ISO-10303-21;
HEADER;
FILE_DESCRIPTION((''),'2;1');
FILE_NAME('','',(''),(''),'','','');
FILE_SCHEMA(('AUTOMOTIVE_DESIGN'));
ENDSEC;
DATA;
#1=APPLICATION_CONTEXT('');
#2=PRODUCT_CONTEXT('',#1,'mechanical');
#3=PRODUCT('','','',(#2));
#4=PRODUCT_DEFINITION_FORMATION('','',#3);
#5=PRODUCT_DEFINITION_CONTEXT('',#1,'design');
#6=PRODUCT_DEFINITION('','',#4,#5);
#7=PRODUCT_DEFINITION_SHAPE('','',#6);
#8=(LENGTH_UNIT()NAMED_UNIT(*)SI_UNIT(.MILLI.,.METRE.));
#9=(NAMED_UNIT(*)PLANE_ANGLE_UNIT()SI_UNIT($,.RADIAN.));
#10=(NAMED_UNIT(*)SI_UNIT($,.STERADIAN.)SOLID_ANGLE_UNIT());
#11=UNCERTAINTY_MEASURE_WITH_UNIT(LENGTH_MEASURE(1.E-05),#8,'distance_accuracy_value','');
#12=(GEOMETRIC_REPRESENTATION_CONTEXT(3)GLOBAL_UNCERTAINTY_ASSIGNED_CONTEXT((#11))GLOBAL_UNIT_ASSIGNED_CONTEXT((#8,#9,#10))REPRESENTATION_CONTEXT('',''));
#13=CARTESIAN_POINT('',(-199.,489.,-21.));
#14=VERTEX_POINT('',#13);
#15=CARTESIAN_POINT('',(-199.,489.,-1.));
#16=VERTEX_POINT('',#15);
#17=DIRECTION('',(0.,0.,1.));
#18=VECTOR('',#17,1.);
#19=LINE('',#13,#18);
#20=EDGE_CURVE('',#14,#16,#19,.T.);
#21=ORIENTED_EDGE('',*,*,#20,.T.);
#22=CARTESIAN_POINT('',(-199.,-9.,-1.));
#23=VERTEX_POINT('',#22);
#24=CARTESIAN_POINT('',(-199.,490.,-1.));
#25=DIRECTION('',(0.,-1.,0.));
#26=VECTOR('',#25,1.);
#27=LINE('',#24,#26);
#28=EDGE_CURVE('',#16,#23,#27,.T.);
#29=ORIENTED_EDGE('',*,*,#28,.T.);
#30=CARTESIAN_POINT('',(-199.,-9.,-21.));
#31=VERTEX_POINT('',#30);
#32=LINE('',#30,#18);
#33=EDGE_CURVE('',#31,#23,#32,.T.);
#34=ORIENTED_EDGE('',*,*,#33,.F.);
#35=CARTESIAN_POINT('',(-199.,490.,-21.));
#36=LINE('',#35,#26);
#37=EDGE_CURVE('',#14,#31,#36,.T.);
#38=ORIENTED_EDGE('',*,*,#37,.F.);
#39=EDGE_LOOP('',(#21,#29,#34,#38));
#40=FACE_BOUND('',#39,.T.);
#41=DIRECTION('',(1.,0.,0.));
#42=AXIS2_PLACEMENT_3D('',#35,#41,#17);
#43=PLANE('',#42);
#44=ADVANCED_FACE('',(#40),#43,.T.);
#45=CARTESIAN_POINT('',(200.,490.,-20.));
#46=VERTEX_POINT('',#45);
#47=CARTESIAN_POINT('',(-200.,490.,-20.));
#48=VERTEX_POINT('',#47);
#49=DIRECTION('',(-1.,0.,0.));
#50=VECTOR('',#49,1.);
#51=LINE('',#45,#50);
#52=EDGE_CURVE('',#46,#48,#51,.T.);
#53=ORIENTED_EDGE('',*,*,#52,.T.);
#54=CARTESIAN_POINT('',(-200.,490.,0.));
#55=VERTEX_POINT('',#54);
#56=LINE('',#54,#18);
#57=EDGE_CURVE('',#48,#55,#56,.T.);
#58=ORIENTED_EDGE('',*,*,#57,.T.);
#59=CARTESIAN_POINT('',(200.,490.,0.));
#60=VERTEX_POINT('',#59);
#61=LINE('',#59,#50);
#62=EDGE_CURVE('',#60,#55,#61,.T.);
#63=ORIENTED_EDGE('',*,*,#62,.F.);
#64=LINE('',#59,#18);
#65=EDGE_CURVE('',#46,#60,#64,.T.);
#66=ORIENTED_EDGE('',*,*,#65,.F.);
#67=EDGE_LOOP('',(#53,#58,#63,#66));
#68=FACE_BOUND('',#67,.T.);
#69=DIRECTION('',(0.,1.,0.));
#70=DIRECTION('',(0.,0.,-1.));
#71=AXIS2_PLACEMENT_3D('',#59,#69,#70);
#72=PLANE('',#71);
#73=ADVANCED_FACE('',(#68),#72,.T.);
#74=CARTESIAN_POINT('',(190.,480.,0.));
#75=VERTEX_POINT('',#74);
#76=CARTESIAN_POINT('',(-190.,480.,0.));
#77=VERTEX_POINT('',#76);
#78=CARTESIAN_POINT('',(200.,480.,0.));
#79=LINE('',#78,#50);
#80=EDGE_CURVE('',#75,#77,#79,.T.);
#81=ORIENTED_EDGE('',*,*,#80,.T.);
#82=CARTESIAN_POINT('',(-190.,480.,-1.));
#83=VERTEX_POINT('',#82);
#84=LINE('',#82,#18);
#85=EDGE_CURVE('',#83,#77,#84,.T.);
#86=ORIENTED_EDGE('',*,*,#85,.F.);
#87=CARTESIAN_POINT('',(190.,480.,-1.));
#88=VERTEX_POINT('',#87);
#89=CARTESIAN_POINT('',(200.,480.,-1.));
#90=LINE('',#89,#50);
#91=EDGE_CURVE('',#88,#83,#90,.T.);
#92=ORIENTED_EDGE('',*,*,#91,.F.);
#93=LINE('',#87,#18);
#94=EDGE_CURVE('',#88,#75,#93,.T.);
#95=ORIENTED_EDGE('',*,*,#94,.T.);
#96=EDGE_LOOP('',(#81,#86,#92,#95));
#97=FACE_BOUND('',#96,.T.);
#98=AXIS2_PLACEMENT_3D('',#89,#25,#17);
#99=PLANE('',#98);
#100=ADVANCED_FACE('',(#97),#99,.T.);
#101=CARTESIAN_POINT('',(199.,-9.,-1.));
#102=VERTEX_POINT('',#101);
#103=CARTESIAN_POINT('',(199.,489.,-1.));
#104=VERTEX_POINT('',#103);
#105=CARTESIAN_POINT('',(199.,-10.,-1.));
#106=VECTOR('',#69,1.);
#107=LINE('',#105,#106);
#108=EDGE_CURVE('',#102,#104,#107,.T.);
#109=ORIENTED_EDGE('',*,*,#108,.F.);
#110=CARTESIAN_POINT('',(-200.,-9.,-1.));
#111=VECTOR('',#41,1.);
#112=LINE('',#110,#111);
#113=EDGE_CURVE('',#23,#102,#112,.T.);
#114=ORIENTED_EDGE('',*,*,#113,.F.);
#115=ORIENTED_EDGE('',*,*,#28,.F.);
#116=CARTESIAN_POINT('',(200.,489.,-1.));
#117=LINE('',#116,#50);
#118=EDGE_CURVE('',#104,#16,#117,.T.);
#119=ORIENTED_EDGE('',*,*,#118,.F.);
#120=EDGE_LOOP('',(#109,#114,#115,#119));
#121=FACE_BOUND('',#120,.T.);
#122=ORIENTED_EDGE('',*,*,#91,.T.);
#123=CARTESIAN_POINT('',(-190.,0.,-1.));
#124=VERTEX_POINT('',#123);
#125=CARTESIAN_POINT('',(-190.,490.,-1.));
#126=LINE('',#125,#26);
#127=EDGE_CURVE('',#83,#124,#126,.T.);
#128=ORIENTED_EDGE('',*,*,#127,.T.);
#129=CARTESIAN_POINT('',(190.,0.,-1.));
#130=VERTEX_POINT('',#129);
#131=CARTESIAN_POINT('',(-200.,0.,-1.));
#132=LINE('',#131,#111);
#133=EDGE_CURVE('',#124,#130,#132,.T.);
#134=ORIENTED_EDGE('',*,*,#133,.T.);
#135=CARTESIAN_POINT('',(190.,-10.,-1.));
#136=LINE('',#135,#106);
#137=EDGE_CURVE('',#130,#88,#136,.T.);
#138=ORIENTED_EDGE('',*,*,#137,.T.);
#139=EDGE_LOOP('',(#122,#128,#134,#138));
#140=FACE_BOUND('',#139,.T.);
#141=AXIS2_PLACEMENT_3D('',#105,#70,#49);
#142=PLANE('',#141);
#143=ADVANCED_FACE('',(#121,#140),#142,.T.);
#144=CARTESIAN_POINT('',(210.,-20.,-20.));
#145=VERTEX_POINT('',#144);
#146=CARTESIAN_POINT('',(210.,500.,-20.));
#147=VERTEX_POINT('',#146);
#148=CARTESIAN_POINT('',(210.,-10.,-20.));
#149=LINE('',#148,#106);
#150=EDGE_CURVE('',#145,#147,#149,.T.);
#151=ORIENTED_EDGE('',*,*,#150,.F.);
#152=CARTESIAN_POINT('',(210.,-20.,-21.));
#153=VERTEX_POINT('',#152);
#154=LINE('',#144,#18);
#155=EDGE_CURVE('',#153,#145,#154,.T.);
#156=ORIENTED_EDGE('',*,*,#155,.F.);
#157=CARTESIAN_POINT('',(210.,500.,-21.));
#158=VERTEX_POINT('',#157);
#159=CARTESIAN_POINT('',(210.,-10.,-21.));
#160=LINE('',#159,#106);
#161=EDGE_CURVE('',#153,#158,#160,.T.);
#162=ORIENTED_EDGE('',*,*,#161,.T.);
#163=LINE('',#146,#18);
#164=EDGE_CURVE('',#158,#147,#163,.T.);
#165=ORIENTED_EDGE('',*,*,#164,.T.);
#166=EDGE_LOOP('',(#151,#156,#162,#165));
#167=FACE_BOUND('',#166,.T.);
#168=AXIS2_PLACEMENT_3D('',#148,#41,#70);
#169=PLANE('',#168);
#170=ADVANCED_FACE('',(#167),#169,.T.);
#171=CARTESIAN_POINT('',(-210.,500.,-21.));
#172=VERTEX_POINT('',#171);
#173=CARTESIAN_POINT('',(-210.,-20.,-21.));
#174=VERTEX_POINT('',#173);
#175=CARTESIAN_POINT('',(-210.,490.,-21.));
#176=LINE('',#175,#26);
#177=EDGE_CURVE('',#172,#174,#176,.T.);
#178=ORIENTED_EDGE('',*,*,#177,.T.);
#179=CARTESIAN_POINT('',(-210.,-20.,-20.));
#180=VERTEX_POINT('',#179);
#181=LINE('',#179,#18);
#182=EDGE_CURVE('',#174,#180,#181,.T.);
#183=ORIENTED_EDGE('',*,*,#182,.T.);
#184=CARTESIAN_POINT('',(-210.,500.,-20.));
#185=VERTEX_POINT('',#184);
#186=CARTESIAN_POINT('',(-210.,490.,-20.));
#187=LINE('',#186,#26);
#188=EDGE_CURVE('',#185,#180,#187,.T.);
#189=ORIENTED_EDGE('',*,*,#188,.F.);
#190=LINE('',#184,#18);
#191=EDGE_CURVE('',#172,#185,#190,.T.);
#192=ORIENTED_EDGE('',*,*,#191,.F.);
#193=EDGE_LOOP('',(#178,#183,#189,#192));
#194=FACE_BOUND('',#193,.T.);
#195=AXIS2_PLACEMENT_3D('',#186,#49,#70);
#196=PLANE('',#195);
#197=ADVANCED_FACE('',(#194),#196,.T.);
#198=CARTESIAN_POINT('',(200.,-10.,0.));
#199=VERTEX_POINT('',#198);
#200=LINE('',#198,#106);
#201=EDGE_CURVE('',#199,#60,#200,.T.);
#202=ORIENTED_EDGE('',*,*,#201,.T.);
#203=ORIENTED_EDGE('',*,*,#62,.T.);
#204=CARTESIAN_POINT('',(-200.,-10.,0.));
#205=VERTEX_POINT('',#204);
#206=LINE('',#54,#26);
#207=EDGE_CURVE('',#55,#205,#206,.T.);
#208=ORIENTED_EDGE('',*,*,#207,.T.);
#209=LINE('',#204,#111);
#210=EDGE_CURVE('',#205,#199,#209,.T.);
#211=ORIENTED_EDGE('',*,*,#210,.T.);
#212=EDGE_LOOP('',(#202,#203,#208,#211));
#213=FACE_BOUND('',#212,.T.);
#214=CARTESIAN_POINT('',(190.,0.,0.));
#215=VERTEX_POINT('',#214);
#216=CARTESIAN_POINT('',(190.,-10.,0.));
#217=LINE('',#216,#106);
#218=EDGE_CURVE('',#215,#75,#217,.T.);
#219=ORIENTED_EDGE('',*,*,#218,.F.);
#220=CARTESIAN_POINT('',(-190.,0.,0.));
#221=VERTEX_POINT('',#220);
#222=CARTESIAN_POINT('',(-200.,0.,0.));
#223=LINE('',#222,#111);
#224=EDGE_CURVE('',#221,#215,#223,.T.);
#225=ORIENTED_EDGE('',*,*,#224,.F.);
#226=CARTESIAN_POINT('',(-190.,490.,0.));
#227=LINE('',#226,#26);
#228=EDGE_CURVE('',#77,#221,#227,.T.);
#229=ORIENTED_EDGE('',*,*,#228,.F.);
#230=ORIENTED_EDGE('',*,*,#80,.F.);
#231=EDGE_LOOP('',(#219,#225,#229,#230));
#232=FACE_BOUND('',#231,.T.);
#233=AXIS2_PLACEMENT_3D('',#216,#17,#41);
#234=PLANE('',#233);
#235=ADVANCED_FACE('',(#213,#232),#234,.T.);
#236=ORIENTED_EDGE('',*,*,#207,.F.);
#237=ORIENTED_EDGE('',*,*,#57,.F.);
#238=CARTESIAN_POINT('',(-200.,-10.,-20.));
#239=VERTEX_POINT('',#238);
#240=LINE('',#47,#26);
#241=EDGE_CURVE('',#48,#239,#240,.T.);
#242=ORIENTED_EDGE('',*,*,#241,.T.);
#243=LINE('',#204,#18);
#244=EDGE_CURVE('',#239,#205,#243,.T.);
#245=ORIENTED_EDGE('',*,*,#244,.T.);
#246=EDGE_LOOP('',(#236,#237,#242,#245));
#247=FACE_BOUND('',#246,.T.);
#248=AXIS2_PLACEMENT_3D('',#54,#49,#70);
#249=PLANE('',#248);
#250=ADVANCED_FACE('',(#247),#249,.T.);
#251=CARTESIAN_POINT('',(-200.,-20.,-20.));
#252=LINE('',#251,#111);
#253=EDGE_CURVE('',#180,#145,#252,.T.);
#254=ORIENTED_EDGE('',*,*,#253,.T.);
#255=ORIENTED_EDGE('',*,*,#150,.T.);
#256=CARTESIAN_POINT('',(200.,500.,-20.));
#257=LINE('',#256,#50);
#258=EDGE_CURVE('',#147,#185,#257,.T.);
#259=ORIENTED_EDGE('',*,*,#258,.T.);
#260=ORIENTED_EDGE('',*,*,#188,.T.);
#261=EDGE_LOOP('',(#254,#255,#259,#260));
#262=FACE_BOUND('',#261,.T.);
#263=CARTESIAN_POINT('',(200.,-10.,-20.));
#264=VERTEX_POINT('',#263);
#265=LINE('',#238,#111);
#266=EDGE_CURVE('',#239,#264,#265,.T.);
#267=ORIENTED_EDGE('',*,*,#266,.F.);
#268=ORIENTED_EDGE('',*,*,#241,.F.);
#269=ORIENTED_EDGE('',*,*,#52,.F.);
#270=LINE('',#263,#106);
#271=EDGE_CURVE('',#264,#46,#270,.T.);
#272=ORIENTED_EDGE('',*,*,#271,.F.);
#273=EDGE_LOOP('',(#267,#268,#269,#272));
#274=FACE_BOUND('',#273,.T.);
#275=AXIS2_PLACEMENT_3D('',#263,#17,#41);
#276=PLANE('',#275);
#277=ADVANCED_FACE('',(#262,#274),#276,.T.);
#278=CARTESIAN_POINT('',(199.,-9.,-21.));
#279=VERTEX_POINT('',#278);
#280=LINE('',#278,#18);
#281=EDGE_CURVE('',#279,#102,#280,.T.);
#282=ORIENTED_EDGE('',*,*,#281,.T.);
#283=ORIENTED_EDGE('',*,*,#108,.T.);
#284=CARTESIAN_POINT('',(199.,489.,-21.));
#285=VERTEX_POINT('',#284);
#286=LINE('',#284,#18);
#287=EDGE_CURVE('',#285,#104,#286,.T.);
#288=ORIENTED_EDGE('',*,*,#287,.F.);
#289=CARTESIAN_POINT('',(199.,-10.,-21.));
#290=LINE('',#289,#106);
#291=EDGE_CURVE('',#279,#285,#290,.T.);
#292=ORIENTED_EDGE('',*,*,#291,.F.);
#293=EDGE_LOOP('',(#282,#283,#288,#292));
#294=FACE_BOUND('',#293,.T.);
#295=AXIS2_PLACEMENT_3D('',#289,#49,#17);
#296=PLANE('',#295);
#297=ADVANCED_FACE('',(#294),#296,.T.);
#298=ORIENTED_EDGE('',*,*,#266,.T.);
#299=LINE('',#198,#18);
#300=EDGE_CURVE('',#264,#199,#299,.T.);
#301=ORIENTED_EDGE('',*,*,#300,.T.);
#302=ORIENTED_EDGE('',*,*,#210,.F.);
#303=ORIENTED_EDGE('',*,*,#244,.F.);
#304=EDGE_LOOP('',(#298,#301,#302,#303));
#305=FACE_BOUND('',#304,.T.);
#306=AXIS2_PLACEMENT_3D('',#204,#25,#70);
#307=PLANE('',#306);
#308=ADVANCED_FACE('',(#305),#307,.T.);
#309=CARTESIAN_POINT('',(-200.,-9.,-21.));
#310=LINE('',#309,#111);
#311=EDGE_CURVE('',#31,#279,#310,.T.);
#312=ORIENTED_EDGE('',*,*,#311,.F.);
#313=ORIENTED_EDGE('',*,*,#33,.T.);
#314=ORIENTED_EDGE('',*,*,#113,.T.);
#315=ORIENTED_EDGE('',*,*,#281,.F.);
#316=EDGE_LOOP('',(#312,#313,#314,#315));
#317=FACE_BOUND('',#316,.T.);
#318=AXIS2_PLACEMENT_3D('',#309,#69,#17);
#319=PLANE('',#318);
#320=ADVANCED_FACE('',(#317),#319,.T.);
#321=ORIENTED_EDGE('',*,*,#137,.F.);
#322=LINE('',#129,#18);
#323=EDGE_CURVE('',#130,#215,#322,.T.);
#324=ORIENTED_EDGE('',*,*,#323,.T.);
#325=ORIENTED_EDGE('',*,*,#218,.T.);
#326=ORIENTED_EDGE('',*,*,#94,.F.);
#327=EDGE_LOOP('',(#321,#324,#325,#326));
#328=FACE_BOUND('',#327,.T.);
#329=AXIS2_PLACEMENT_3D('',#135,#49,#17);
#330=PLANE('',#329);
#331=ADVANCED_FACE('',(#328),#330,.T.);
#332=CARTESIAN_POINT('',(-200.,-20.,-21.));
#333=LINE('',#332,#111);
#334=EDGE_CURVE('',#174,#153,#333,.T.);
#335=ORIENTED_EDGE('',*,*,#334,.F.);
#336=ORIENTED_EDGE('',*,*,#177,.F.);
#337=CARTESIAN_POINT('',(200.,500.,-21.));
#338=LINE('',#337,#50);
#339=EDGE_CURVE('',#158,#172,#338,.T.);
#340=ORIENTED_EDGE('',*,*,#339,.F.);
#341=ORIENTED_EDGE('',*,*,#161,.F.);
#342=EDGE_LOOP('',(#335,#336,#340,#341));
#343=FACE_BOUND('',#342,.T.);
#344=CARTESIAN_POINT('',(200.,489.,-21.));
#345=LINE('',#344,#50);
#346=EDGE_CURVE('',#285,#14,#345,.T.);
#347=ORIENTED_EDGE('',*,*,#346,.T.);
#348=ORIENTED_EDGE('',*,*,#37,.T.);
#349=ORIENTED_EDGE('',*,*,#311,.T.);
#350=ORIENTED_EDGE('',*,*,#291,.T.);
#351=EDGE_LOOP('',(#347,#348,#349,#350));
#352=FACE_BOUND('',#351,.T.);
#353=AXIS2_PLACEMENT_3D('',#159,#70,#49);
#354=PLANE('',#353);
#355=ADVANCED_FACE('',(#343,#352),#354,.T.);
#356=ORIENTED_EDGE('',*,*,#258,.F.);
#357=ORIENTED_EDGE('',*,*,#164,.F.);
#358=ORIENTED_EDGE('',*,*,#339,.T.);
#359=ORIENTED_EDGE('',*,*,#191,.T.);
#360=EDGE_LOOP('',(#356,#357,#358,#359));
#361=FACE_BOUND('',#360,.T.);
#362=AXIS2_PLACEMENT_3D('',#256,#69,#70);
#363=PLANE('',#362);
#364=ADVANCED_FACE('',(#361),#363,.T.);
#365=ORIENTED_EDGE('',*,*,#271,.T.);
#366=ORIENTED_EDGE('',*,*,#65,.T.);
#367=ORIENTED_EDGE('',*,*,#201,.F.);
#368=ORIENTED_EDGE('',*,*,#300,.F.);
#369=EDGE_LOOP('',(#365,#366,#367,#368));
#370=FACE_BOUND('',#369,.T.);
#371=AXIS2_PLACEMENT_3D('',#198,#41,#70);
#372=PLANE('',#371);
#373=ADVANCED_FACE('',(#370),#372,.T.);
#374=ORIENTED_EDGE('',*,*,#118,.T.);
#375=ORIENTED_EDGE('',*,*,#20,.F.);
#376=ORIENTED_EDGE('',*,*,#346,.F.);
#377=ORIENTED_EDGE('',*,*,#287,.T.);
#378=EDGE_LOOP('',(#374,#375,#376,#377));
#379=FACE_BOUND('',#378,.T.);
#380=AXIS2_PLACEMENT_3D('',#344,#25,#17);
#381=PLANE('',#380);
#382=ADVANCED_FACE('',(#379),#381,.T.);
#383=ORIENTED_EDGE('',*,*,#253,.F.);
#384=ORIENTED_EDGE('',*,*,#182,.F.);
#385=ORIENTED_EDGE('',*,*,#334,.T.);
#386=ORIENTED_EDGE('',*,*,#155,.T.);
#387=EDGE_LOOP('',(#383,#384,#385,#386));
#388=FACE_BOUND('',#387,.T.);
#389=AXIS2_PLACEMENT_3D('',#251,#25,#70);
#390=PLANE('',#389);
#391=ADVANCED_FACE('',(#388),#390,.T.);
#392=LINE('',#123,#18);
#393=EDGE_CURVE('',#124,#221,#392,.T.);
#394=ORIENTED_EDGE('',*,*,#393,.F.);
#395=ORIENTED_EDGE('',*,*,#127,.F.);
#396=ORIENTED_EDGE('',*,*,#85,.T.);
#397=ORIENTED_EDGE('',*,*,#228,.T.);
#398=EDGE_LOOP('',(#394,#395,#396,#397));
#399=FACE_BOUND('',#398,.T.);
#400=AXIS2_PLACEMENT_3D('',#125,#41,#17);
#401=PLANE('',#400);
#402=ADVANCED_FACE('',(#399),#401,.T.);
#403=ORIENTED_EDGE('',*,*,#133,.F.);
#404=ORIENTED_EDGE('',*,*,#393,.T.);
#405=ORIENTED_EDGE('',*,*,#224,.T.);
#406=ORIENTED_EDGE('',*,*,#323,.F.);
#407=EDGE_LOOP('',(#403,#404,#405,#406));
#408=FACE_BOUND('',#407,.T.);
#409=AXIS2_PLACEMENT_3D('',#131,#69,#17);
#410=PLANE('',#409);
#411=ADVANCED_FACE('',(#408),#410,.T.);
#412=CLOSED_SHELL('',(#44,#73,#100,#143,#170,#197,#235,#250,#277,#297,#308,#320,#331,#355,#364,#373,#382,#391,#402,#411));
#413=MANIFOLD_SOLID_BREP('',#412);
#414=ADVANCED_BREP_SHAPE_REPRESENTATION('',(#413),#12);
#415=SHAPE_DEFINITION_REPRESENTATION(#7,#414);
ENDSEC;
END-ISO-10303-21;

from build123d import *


with BuildPart() as f2:
    # F2: sweep along a path in F1
    with BuildLine(Plane.XY) as f2_path:
        Line((0, -10), (200, -10))
        Line((200, -10), (200, 490))
        Line((200, 490), (-200, 490))
        Line((-200, 490), (-200, -10))
        Line((-200, -10), (0, -10))
    # F0 (on Right) → F2 (sweep)
    with BuildSketch(Plane.YZ):
        Polygon((0, -1), (0, 0), (-10, 0), (-10, -20), (-20, -20), (-20, -21), (-9, -21), (-9, -1), align=None)
    sweep(path=f2_path.line, transition=Transition.RIGHT)


solid = f2.part
